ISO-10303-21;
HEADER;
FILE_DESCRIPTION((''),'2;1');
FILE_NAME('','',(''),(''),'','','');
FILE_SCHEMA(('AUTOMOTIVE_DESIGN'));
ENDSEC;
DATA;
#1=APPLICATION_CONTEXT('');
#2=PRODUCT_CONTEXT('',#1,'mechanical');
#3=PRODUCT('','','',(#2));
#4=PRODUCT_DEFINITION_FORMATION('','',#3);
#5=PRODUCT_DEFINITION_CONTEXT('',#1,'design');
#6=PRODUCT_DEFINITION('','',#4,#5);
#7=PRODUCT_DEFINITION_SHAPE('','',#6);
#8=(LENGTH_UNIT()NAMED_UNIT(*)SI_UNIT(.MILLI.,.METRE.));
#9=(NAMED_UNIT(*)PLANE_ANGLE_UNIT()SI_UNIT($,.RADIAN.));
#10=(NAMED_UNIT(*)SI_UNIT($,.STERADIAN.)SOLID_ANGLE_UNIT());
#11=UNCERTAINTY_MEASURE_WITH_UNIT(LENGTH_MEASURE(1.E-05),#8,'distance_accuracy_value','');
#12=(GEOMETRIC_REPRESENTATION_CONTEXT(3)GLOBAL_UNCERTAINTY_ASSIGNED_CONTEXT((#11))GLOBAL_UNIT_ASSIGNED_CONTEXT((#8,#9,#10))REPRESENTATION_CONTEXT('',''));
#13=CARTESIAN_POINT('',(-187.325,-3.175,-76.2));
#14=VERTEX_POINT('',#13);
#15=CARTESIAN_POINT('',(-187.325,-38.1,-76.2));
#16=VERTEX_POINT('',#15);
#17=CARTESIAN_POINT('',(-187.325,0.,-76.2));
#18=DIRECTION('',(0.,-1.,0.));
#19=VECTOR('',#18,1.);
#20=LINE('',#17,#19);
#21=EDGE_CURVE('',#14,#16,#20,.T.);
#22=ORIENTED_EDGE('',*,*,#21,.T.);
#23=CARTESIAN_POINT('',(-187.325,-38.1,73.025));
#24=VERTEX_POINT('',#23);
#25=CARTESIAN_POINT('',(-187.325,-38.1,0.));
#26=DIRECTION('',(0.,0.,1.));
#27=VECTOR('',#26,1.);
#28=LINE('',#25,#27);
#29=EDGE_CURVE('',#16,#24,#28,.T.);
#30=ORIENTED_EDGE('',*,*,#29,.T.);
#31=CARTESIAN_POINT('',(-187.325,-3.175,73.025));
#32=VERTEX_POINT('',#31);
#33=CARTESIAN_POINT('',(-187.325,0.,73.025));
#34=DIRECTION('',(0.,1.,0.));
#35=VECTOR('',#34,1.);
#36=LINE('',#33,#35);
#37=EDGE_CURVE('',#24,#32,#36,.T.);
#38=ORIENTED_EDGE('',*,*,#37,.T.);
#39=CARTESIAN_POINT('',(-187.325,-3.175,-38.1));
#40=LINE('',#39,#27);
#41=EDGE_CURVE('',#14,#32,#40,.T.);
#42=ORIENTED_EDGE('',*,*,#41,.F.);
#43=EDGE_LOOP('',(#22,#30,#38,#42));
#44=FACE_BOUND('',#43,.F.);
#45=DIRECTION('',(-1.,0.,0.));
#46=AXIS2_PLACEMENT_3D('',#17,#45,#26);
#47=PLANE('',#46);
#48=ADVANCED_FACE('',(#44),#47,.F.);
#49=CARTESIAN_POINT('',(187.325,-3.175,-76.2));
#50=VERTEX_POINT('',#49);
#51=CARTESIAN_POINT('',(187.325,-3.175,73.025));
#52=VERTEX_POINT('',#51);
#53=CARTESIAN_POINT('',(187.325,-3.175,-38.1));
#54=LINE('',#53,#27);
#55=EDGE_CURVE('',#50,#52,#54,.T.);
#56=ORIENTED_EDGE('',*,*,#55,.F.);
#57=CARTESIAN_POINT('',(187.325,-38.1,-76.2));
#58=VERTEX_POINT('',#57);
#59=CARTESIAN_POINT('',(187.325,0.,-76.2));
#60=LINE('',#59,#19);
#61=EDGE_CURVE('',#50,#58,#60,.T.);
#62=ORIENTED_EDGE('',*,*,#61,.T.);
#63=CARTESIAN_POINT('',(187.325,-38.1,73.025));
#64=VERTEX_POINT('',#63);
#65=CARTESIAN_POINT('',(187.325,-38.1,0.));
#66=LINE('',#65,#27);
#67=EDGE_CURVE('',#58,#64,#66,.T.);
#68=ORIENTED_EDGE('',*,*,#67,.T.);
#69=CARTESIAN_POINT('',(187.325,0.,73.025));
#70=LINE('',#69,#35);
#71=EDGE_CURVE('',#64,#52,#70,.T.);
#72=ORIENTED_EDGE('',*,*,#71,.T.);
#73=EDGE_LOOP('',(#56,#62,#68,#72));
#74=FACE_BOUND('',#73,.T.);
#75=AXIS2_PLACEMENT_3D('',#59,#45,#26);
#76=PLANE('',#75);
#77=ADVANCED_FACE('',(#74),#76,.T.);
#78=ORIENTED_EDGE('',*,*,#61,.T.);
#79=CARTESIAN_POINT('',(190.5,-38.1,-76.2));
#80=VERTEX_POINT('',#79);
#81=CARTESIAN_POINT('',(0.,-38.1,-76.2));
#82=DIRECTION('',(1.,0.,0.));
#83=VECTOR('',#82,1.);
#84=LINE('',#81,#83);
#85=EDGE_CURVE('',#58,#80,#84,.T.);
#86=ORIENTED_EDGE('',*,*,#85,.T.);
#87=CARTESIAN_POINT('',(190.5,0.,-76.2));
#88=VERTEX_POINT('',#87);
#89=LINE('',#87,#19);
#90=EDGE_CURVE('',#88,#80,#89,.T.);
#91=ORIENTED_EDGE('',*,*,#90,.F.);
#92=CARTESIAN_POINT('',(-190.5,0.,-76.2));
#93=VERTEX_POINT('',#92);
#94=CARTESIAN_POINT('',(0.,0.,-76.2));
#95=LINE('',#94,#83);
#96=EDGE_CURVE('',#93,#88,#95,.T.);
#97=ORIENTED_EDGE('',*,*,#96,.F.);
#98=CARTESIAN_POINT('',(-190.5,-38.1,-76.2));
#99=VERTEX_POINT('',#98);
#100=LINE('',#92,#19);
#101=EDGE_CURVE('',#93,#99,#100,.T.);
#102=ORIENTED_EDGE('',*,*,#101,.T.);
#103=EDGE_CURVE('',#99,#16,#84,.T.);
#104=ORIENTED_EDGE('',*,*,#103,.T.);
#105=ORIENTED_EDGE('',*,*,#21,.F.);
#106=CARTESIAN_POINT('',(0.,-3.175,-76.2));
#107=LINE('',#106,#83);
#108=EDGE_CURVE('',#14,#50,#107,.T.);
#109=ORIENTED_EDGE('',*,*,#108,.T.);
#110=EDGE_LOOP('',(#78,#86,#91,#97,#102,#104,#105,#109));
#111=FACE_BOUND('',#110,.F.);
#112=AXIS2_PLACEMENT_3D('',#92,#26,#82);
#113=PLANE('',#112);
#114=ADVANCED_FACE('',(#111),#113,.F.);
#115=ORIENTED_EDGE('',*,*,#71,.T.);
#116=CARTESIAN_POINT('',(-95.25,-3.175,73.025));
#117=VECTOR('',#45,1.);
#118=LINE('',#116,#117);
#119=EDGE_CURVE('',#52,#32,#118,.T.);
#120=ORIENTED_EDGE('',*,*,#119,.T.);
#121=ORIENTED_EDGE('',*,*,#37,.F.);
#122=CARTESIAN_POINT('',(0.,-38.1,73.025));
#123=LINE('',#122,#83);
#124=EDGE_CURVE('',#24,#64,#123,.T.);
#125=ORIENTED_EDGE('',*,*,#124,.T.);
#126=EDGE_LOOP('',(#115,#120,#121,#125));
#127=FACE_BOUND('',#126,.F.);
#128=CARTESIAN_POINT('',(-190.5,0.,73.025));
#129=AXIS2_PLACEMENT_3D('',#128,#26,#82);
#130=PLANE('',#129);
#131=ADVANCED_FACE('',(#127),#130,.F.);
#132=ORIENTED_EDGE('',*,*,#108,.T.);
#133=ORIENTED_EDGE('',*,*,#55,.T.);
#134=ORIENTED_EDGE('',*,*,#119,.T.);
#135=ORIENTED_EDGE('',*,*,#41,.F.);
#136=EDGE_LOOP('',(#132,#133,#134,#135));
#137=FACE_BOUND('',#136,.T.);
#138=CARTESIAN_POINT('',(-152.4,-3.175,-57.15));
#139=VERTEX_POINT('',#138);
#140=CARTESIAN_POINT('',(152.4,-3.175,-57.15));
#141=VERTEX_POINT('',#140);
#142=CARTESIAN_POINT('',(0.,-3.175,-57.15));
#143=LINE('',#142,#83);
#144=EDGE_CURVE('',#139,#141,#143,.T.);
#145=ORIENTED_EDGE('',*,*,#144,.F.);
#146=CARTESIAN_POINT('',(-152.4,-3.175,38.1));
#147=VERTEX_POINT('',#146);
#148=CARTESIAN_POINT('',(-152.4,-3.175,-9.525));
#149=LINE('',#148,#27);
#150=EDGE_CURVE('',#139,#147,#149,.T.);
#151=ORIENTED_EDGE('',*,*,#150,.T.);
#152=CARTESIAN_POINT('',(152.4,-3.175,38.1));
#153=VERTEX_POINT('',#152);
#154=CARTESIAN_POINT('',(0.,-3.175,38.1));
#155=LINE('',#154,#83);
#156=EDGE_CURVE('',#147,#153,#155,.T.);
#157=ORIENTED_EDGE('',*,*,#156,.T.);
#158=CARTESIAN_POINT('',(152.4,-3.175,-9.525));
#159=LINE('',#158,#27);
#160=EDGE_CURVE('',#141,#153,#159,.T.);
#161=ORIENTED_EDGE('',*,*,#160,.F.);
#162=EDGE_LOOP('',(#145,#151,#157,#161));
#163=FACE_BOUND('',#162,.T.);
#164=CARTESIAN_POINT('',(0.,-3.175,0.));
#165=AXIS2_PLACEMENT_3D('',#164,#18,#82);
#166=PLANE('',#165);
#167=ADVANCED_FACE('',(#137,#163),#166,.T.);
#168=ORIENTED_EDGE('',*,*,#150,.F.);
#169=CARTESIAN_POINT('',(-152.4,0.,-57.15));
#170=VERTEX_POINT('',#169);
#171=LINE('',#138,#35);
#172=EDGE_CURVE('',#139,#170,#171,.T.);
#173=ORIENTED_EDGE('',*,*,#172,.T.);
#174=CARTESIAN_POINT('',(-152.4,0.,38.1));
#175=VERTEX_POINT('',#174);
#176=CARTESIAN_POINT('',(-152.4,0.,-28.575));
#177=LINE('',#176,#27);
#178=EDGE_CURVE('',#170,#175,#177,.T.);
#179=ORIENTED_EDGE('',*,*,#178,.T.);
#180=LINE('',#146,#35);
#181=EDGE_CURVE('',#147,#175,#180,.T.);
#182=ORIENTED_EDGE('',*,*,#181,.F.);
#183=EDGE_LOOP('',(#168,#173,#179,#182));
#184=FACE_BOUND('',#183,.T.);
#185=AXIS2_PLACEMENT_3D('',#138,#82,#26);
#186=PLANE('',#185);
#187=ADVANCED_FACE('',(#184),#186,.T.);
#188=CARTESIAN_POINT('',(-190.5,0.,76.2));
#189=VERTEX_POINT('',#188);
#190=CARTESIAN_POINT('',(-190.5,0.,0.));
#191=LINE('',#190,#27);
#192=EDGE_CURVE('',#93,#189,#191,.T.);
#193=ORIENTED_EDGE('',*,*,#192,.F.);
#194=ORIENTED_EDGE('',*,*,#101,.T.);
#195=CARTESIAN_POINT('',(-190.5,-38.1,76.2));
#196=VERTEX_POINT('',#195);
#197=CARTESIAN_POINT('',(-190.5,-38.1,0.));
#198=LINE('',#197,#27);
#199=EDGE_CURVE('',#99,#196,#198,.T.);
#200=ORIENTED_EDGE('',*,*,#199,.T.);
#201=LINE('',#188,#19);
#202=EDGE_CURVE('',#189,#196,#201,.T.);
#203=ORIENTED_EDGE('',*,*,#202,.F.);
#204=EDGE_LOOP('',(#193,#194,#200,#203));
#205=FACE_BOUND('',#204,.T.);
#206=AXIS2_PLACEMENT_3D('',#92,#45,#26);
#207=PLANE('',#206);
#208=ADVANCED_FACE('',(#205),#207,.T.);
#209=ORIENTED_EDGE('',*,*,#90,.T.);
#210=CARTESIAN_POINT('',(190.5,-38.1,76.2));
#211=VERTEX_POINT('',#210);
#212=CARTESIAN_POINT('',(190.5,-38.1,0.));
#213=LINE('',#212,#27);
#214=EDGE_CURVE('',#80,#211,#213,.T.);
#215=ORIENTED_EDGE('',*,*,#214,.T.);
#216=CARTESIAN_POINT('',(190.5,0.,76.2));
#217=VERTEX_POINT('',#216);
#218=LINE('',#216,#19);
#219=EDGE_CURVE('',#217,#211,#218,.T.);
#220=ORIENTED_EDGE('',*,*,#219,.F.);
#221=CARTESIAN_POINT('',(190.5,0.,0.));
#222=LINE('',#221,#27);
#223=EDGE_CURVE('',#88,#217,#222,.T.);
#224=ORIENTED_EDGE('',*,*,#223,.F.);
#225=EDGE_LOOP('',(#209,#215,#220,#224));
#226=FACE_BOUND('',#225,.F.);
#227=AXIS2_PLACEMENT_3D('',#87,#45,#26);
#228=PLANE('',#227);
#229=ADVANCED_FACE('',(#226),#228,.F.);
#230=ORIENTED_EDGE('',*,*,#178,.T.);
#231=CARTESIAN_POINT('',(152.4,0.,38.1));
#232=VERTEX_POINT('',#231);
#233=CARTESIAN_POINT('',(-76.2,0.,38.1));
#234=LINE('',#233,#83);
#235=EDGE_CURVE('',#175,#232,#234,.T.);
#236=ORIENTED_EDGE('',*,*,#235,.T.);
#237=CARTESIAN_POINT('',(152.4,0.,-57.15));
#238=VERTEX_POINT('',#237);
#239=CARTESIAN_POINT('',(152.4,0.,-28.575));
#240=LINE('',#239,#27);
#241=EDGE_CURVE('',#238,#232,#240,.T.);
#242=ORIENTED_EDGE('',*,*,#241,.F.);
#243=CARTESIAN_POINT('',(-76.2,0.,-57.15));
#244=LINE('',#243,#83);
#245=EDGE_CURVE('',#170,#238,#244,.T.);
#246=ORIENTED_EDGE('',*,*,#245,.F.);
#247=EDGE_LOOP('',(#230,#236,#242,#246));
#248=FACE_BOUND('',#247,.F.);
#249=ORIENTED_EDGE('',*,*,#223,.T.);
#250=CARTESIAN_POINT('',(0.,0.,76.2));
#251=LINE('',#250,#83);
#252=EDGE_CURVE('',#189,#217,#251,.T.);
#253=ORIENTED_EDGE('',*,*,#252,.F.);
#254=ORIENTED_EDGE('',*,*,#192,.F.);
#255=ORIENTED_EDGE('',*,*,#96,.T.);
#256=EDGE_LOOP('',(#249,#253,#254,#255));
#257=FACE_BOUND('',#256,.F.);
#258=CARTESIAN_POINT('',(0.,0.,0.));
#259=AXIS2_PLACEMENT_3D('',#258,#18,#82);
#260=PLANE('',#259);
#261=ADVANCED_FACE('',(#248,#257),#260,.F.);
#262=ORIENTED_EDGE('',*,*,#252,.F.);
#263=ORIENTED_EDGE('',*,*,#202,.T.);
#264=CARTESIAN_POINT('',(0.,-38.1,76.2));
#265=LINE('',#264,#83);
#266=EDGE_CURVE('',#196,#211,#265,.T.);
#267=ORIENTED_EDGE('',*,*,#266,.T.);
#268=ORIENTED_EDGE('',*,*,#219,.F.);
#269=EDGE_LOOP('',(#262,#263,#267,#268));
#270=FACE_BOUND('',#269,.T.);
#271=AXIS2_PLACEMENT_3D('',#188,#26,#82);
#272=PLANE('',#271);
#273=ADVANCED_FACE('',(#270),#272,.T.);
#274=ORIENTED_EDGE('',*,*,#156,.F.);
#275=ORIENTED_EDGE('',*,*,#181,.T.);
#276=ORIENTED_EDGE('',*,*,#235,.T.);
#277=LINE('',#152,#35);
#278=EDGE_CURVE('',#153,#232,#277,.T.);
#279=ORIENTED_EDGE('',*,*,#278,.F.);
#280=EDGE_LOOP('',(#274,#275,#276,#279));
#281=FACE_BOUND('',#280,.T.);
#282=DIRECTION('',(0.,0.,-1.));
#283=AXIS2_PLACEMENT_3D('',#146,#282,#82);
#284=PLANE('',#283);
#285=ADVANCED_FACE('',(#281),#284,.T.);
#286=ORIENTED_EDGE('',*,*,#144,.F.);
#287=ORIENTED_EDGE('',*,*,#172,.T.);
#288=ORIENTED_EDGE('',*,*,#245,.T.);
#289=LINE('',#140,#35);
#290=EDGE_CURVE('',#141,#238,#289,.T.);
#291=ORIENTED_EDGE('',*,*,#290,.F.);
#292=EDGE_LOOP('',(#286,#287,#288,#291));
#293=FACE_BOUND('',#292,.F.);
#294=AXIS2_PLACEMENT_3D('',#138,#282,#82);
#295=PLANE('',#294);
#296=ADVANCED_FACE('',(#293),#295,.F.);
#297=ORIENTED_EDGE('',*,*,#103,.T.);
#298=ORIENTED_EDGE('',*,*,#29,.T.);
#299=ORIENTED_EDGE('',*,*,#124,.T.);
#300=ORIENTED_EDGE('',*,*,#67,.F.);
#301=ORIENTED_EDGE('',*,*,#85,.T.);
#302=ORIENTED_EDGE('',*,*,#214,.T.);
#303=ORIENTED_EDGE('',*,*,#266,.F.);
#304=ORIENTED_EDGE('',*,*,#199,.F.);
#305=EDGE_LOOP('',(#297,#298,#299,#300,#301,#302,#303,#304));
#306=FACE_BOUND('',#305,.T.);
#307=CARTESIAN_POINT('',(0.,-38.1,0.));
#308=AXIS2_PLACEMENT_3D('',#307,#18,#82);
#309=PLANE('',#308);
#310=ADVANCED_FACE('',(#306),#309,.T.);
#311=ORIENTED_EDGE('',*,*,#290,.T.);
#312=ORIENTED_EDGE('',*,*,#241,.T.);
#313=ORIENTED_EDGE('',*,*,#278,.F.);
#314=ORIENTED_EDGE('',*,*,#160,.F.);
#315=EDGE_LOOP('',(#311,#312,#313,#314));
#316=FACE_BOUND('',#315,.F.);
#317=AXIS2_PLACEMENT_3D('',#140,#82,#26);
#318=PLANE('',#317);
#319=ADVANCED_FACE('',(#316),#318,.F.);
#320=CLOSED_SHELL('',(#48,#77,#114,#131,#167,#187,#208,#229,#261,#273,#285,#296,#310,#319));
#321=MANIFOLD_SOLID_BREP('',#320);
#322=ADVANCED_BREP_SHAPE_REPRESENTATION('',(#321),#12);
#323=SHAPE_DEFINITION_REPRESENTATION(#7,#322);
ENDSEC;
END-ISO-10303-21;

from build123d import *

# Parameters (mm, degrees)
F0_W     = 381
F0_H     = 152.4
F1_DEPTH = 38.1
F2_T     = -3.175
F3_W     = 304.8
F3_H     = 95.25
F4_DEPTH = 25.4


with BuildPart() as f1:
    # F0 (on Front) → F1 (new body)
    with BuildSketch(Plane.XZ):
        Rectangle(F0_W, F0_H)
    extrude(amount=F1_DEPTH)

    # F2
    f2_openings = [f1.faces().sort_by_distance(p)[0] for p in [
        (0, -38.1, 0),
        (0, -19.05, -76.2),
    ]]
    offset(amount=F2_T, openings=f2_openings)

    # F3 (on face) → F4 (cut)
    with BuildSketch(Plane.XZ.offset(3.175)):
        with Locations((0, -9.525)):
            Rectangle(F3_W, F3_H)
    extrude(amount=-F4_DEPTH, mode=Mode.SUBTRACT)


solid = f1.part
